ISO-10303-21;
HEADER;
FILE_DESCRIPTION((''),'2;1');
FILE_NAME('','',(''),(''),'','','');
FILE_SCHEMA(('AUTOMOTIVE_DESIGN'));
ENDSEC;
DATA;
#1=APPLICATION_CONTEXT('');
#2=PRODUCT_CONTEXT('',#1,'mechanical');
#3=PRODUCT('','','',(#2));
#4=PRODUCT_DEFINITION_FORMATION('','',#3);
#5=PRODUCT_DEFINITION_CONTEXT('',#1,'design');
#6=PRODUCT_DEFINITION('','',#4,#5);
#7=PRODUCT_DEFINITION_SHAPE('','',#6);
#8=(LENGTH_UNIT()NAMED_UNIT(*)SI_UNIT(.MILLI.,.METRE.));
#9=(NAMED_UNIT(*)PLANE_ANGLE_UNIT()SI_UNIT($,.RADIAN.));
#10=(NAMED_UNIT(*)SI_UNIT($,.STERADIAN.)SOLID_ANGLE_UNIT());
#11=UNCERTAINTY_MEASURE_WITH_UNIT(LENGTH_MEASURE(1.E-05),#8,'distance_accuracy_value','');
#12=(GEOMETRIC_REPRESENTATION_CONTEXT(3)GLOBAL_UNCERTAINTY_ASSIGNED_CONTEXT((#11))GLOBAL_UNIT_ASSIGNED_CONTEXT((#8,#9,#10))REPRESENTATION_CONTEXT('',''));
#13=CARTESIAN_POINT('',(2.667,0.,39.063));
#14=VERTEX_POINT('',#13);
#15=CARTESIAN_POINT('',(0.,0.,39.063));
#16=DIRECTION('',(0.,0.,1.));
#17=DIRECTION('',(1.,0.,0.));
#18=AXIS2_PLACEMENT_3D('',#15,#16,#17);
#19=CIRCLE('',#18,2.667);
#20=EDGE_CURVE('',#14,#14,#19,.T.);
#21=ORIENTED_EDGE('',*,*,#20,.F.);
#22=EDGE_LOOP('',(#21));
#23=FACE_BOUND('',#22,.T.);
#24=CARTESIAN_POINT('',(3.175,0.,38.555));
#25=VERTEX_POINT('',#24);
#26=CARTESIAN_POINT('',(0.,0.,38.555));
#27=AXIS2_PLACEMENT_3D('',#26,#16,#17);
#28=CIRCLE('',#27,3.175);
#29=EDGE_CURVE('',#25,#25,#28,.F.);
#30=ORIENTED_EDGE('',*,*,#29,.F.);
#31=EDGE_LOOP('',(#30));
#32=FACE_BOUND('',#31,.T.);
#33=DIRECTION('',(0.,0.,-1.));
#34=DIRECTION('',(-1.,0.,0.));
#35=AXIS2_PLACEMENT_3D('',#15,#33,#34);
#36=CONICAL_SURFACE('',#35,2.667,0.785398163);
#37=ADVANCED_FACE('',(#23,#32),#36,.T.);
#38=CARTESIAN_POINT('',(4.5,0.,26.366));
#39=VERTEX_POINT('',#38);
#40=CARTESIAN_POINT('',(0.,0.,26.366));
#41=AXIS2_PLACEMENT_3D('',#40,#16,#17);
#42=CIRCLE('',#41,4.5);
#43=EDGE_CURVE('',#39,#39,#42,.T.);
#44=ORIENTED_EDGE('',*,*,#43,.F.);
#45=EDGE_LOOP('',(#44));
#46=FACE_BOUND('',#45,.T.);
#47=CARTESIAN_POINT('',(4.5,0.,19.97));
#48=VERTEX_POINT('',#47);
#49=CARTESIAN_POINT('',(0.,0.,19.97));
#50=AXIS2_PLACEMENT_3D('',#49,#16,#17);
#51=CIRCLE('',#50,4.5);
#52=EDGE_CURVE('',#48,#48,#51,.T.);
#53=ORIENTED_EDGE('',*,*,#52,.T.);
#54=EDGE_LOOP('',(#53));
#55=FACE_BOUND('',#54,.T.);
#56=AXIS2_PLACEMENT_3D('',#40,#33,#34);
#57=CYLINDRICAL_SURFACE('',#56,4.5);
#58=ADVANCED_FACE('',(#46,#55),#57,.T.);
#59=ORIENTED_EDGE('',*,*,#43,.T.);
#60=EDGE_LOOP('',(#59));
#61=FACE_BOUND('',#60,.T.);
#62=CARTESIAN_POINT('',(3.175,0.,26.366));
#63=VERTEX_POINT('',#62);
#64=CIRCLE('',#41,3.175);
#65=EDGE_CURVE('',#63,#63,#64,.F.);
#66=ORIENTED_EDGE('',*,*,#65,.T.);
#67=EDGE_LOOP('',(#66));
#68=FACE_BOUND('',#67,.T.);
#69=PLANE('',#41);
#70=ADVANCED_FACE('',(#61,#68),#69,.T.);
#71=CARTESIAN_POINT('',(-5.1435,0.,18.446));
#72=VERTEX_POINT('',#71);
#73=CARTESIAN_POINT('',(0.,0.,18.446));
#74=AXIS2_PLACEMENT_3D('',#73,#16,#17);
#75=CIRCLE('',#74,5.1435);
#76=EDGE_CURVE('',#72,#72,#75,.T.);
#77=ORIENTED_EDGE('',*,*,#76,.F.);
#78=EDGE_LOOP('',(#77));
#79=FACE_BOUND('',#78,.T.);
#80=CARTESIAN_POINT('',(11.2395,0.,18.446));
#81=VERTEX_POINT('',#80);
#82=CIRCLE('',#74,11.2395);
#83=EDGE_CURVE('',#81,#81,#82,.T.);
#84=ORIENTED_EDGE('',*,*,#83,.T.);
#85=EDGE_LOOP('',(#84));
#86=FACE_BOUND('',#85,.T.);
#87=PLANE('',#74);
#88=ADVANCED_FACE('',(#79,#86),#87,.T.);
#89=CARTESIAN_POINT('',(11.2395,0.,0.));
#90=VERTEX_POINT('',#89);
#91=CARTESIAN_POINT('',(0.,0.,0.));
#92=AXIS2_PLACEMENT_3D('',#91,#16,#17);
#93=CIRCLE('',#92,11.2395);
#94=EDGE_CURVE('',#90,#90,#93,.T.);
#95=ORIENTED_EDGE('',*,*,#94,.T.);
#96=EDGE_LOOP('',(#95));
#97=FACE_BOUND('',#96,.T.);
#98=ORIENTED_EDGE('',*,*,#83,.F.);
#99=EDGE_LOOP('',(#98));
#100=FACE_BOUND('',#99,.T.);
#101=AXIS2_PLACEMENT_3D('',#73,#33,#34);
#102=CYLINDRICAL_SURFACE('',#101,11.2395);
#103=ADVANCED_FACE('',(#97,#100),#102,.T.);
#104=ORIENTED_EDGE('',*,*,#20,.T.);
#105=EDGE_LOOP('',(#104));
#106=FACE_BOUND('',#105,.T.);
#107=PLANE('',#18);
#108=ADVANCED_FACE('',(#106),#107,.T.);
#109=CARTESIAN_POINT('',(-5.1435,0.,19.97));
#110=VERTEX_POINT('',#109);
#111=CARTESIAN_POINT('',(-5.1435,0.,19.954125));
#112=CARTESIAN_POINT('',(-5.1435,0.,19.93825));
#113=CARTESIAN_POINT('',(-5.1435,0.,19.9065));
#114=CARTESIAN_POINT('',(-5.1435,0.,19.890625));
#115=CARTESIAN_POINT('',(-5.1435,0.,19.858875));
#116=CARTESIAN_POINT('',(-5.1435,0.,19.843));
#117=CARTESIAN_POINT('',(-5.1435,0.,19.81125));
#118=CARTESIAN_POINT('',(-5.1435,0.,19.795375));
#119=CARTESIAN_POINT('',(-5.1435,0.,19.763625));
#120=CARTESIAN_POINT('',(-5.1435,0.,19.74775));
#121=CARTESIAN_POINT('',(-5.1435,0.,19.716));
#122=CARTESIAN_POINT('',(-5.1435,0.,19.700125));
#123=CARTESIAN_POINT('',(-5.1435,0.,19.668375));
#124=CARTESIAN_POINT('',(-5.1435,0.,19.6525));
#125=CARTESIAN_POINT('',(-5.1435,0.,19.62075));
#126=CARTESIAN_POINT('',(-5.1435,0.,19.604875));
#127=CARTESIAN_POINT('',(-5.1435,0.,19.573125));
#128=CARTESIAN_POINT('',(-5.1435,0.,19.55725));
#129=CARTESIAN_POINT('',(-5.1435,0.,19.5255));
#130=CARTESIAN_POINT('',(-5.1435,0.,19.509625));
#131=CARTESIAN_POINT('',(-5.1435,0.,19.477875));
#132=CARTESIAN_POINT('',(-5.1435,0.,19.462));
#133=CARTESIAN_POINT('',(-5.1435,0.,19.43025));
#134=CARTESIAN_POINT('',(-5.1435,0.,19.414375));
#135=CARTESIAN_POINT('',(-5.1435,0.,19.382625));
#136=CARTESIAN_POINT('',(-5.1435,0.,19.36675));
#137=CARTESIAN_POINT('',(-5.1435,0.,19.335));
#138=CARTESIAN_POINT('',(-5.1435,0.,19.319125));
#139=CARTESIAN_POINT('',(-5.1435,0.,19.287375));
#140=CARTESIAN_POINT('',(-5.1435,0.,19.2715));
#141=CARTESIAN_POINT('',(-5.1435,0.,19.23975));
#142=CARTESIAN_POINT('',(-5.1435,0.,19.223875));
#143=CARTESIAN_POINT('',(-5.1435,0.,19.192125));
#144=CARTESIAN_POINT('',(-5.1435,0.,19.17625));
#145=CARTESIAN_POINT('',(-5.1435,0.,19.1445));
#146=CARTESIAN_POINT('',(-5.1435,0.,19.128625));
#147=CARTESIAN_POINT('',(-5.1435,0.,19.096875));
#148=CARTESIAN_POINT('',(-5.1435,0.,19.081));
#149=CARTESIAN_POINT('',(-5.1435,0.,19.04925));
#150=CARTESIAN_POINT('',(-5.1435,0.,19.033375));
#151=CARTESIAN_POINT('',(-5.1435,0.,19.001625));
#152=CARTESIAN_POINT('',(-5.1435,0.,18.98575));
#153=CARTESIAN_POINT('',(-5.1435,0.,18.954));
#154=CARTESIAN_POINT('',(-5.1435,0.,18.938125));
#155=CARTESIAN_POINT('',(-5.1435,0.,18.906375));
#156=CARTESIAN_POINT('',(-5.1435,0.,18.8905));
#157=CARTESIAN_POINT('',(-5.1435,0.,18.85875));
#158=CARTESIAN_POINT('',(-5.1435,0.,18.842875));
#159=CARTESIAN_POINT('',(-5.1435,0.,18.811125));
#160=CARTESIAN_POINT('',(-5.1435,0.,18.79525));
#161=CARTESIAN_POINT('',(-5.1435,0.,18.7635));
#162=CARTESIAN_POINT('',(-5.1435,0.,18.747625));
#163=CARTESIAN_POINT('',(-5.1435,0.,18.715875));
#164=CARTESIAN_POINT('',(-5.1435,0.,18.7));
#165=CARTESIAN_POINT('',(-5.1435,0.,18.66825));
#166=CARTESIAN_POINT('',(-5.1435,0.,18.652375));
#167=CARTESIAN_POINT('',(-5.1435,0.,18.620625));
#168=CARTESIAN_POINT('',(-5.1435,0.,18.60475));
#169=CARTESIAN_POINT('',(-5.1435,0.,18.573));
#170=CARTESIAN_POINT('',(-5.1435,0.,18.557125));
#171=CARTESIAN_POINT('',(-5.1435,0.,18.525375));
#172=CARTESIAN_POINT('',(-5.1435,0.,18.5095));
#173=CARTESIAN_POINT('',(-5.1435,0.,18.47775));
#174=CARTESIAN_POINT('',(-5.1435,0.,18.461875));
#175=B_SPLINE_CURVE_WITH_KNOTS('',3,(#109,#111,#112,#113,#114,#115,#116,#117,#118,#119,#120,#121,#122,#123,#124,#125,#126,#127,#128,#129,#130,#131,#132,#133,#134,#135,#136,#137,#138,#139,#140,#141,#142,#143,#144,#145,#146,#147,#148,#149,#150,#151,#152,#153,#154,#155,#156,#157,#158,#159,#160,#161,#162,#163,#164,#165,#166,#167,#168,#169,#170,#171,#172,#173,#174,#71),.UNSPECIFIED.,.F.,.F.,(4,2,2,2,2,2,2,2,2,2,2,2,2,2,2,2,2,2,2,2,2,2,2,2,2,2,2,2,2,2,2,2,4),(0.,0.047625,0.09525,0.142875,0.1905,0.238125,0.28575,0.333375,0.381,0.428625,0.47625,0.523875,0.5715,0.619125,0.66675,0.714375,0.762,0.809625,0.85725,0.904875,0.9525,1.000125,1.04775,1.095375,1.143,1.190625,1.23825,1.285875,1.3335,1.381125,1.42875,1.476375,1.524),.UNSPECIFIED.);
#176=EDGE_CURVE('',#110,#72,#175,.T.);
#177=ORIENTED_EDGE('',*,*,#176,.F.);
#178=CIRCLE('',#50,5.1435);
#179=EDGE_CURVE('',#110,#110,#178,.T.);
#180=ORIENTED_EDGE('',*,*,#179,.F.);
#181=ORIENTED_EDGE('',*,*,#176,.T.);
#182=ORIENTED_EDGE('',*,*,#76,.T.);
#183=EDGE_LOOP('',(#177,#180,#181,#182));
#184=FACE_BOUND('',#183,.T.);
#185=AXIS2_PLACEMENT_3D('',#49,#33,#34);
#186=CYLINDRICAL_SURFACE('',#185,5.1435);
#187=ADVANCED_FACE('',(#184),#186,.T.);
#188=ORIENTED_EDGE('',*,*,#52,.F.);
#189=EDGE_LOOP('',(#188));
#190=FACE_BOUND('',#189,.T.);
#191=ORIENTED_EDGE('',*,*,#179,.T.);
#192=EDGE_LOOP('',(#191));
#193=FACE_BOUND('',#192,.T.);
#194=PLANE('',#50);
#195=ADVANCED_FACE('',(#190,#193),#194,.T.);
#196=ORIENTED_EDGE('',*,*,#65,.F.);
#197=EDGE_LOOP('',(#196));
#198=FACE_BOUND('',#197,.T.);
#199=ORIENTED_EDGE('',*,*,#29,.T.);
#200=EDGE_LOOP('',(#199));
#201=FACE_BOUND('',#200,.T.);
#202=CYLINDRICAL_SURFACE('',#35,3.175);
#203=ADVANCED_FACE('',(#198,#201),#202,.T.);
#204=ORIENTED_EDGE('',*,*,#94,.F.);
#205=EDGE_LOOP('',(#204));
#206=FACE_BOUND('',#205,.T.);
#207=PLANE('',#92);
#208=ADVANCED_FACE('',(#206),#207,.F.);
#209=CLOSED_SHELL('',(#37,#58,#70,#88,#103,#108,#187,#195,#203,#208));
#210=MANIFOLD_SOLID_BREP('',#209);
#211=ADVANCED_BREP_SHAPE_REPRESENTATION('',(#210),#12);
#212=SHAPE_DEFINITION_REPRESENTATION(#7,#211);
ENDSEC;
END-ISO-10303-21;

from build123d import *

# Parameters (mm, degrees)
SKETCH1_R       = 11.2395
BODY_DEPTH      = 18.446
SKETCH2_R       = 5.1435
LIP_DEPTH       = 1.524
SKETCH3_R       = 4.5
THREADING_DEPTH = 6.396
SKETCH4_R       = 3.175
SHAFT_DEPTH     = 20.617
CHAMFER1_SIZE   = 0.508


with BuildPart() as part:
    # Sketch1 → Body (new body)
    with BuildSketch(Plane.XY):
        Circle(SKETCH1_R)
    extrude(amount=BODY_DEPTH)

    # Sketch2 → Lip (add)
    with BuildSketch(Plane.XY.offset(18.446)):
        with Locations(Location((0, 0, 0), (0, 0, 180))):
            Circle(SKETCH2_R)
    extrude(amount=LIP_DEPTH)

    # Sketch3 → Threading (add)
    with BuildSketch(Plane.XY.offset(19.97)):
        Circle(SKETCH3_R)
    extrude(amount=THREADING_DEPTH)

    # Sketch4 → Shaft (add)
    with BuildSketch(Plane.XY.offset(18.446)):
        Circle(SKETCH4_R)
    extrude(amount=SHAFT_DEPTH)

    # Chamfer1
    chamfer1_edges = [part.edges().sort_by_distance(p)[0] for p in [
        (-3.175, 0, 39.063),
    ]]
    chamfer(chamfer1_edges, length=CHAMFER1_SIZE)


solid = part.part
